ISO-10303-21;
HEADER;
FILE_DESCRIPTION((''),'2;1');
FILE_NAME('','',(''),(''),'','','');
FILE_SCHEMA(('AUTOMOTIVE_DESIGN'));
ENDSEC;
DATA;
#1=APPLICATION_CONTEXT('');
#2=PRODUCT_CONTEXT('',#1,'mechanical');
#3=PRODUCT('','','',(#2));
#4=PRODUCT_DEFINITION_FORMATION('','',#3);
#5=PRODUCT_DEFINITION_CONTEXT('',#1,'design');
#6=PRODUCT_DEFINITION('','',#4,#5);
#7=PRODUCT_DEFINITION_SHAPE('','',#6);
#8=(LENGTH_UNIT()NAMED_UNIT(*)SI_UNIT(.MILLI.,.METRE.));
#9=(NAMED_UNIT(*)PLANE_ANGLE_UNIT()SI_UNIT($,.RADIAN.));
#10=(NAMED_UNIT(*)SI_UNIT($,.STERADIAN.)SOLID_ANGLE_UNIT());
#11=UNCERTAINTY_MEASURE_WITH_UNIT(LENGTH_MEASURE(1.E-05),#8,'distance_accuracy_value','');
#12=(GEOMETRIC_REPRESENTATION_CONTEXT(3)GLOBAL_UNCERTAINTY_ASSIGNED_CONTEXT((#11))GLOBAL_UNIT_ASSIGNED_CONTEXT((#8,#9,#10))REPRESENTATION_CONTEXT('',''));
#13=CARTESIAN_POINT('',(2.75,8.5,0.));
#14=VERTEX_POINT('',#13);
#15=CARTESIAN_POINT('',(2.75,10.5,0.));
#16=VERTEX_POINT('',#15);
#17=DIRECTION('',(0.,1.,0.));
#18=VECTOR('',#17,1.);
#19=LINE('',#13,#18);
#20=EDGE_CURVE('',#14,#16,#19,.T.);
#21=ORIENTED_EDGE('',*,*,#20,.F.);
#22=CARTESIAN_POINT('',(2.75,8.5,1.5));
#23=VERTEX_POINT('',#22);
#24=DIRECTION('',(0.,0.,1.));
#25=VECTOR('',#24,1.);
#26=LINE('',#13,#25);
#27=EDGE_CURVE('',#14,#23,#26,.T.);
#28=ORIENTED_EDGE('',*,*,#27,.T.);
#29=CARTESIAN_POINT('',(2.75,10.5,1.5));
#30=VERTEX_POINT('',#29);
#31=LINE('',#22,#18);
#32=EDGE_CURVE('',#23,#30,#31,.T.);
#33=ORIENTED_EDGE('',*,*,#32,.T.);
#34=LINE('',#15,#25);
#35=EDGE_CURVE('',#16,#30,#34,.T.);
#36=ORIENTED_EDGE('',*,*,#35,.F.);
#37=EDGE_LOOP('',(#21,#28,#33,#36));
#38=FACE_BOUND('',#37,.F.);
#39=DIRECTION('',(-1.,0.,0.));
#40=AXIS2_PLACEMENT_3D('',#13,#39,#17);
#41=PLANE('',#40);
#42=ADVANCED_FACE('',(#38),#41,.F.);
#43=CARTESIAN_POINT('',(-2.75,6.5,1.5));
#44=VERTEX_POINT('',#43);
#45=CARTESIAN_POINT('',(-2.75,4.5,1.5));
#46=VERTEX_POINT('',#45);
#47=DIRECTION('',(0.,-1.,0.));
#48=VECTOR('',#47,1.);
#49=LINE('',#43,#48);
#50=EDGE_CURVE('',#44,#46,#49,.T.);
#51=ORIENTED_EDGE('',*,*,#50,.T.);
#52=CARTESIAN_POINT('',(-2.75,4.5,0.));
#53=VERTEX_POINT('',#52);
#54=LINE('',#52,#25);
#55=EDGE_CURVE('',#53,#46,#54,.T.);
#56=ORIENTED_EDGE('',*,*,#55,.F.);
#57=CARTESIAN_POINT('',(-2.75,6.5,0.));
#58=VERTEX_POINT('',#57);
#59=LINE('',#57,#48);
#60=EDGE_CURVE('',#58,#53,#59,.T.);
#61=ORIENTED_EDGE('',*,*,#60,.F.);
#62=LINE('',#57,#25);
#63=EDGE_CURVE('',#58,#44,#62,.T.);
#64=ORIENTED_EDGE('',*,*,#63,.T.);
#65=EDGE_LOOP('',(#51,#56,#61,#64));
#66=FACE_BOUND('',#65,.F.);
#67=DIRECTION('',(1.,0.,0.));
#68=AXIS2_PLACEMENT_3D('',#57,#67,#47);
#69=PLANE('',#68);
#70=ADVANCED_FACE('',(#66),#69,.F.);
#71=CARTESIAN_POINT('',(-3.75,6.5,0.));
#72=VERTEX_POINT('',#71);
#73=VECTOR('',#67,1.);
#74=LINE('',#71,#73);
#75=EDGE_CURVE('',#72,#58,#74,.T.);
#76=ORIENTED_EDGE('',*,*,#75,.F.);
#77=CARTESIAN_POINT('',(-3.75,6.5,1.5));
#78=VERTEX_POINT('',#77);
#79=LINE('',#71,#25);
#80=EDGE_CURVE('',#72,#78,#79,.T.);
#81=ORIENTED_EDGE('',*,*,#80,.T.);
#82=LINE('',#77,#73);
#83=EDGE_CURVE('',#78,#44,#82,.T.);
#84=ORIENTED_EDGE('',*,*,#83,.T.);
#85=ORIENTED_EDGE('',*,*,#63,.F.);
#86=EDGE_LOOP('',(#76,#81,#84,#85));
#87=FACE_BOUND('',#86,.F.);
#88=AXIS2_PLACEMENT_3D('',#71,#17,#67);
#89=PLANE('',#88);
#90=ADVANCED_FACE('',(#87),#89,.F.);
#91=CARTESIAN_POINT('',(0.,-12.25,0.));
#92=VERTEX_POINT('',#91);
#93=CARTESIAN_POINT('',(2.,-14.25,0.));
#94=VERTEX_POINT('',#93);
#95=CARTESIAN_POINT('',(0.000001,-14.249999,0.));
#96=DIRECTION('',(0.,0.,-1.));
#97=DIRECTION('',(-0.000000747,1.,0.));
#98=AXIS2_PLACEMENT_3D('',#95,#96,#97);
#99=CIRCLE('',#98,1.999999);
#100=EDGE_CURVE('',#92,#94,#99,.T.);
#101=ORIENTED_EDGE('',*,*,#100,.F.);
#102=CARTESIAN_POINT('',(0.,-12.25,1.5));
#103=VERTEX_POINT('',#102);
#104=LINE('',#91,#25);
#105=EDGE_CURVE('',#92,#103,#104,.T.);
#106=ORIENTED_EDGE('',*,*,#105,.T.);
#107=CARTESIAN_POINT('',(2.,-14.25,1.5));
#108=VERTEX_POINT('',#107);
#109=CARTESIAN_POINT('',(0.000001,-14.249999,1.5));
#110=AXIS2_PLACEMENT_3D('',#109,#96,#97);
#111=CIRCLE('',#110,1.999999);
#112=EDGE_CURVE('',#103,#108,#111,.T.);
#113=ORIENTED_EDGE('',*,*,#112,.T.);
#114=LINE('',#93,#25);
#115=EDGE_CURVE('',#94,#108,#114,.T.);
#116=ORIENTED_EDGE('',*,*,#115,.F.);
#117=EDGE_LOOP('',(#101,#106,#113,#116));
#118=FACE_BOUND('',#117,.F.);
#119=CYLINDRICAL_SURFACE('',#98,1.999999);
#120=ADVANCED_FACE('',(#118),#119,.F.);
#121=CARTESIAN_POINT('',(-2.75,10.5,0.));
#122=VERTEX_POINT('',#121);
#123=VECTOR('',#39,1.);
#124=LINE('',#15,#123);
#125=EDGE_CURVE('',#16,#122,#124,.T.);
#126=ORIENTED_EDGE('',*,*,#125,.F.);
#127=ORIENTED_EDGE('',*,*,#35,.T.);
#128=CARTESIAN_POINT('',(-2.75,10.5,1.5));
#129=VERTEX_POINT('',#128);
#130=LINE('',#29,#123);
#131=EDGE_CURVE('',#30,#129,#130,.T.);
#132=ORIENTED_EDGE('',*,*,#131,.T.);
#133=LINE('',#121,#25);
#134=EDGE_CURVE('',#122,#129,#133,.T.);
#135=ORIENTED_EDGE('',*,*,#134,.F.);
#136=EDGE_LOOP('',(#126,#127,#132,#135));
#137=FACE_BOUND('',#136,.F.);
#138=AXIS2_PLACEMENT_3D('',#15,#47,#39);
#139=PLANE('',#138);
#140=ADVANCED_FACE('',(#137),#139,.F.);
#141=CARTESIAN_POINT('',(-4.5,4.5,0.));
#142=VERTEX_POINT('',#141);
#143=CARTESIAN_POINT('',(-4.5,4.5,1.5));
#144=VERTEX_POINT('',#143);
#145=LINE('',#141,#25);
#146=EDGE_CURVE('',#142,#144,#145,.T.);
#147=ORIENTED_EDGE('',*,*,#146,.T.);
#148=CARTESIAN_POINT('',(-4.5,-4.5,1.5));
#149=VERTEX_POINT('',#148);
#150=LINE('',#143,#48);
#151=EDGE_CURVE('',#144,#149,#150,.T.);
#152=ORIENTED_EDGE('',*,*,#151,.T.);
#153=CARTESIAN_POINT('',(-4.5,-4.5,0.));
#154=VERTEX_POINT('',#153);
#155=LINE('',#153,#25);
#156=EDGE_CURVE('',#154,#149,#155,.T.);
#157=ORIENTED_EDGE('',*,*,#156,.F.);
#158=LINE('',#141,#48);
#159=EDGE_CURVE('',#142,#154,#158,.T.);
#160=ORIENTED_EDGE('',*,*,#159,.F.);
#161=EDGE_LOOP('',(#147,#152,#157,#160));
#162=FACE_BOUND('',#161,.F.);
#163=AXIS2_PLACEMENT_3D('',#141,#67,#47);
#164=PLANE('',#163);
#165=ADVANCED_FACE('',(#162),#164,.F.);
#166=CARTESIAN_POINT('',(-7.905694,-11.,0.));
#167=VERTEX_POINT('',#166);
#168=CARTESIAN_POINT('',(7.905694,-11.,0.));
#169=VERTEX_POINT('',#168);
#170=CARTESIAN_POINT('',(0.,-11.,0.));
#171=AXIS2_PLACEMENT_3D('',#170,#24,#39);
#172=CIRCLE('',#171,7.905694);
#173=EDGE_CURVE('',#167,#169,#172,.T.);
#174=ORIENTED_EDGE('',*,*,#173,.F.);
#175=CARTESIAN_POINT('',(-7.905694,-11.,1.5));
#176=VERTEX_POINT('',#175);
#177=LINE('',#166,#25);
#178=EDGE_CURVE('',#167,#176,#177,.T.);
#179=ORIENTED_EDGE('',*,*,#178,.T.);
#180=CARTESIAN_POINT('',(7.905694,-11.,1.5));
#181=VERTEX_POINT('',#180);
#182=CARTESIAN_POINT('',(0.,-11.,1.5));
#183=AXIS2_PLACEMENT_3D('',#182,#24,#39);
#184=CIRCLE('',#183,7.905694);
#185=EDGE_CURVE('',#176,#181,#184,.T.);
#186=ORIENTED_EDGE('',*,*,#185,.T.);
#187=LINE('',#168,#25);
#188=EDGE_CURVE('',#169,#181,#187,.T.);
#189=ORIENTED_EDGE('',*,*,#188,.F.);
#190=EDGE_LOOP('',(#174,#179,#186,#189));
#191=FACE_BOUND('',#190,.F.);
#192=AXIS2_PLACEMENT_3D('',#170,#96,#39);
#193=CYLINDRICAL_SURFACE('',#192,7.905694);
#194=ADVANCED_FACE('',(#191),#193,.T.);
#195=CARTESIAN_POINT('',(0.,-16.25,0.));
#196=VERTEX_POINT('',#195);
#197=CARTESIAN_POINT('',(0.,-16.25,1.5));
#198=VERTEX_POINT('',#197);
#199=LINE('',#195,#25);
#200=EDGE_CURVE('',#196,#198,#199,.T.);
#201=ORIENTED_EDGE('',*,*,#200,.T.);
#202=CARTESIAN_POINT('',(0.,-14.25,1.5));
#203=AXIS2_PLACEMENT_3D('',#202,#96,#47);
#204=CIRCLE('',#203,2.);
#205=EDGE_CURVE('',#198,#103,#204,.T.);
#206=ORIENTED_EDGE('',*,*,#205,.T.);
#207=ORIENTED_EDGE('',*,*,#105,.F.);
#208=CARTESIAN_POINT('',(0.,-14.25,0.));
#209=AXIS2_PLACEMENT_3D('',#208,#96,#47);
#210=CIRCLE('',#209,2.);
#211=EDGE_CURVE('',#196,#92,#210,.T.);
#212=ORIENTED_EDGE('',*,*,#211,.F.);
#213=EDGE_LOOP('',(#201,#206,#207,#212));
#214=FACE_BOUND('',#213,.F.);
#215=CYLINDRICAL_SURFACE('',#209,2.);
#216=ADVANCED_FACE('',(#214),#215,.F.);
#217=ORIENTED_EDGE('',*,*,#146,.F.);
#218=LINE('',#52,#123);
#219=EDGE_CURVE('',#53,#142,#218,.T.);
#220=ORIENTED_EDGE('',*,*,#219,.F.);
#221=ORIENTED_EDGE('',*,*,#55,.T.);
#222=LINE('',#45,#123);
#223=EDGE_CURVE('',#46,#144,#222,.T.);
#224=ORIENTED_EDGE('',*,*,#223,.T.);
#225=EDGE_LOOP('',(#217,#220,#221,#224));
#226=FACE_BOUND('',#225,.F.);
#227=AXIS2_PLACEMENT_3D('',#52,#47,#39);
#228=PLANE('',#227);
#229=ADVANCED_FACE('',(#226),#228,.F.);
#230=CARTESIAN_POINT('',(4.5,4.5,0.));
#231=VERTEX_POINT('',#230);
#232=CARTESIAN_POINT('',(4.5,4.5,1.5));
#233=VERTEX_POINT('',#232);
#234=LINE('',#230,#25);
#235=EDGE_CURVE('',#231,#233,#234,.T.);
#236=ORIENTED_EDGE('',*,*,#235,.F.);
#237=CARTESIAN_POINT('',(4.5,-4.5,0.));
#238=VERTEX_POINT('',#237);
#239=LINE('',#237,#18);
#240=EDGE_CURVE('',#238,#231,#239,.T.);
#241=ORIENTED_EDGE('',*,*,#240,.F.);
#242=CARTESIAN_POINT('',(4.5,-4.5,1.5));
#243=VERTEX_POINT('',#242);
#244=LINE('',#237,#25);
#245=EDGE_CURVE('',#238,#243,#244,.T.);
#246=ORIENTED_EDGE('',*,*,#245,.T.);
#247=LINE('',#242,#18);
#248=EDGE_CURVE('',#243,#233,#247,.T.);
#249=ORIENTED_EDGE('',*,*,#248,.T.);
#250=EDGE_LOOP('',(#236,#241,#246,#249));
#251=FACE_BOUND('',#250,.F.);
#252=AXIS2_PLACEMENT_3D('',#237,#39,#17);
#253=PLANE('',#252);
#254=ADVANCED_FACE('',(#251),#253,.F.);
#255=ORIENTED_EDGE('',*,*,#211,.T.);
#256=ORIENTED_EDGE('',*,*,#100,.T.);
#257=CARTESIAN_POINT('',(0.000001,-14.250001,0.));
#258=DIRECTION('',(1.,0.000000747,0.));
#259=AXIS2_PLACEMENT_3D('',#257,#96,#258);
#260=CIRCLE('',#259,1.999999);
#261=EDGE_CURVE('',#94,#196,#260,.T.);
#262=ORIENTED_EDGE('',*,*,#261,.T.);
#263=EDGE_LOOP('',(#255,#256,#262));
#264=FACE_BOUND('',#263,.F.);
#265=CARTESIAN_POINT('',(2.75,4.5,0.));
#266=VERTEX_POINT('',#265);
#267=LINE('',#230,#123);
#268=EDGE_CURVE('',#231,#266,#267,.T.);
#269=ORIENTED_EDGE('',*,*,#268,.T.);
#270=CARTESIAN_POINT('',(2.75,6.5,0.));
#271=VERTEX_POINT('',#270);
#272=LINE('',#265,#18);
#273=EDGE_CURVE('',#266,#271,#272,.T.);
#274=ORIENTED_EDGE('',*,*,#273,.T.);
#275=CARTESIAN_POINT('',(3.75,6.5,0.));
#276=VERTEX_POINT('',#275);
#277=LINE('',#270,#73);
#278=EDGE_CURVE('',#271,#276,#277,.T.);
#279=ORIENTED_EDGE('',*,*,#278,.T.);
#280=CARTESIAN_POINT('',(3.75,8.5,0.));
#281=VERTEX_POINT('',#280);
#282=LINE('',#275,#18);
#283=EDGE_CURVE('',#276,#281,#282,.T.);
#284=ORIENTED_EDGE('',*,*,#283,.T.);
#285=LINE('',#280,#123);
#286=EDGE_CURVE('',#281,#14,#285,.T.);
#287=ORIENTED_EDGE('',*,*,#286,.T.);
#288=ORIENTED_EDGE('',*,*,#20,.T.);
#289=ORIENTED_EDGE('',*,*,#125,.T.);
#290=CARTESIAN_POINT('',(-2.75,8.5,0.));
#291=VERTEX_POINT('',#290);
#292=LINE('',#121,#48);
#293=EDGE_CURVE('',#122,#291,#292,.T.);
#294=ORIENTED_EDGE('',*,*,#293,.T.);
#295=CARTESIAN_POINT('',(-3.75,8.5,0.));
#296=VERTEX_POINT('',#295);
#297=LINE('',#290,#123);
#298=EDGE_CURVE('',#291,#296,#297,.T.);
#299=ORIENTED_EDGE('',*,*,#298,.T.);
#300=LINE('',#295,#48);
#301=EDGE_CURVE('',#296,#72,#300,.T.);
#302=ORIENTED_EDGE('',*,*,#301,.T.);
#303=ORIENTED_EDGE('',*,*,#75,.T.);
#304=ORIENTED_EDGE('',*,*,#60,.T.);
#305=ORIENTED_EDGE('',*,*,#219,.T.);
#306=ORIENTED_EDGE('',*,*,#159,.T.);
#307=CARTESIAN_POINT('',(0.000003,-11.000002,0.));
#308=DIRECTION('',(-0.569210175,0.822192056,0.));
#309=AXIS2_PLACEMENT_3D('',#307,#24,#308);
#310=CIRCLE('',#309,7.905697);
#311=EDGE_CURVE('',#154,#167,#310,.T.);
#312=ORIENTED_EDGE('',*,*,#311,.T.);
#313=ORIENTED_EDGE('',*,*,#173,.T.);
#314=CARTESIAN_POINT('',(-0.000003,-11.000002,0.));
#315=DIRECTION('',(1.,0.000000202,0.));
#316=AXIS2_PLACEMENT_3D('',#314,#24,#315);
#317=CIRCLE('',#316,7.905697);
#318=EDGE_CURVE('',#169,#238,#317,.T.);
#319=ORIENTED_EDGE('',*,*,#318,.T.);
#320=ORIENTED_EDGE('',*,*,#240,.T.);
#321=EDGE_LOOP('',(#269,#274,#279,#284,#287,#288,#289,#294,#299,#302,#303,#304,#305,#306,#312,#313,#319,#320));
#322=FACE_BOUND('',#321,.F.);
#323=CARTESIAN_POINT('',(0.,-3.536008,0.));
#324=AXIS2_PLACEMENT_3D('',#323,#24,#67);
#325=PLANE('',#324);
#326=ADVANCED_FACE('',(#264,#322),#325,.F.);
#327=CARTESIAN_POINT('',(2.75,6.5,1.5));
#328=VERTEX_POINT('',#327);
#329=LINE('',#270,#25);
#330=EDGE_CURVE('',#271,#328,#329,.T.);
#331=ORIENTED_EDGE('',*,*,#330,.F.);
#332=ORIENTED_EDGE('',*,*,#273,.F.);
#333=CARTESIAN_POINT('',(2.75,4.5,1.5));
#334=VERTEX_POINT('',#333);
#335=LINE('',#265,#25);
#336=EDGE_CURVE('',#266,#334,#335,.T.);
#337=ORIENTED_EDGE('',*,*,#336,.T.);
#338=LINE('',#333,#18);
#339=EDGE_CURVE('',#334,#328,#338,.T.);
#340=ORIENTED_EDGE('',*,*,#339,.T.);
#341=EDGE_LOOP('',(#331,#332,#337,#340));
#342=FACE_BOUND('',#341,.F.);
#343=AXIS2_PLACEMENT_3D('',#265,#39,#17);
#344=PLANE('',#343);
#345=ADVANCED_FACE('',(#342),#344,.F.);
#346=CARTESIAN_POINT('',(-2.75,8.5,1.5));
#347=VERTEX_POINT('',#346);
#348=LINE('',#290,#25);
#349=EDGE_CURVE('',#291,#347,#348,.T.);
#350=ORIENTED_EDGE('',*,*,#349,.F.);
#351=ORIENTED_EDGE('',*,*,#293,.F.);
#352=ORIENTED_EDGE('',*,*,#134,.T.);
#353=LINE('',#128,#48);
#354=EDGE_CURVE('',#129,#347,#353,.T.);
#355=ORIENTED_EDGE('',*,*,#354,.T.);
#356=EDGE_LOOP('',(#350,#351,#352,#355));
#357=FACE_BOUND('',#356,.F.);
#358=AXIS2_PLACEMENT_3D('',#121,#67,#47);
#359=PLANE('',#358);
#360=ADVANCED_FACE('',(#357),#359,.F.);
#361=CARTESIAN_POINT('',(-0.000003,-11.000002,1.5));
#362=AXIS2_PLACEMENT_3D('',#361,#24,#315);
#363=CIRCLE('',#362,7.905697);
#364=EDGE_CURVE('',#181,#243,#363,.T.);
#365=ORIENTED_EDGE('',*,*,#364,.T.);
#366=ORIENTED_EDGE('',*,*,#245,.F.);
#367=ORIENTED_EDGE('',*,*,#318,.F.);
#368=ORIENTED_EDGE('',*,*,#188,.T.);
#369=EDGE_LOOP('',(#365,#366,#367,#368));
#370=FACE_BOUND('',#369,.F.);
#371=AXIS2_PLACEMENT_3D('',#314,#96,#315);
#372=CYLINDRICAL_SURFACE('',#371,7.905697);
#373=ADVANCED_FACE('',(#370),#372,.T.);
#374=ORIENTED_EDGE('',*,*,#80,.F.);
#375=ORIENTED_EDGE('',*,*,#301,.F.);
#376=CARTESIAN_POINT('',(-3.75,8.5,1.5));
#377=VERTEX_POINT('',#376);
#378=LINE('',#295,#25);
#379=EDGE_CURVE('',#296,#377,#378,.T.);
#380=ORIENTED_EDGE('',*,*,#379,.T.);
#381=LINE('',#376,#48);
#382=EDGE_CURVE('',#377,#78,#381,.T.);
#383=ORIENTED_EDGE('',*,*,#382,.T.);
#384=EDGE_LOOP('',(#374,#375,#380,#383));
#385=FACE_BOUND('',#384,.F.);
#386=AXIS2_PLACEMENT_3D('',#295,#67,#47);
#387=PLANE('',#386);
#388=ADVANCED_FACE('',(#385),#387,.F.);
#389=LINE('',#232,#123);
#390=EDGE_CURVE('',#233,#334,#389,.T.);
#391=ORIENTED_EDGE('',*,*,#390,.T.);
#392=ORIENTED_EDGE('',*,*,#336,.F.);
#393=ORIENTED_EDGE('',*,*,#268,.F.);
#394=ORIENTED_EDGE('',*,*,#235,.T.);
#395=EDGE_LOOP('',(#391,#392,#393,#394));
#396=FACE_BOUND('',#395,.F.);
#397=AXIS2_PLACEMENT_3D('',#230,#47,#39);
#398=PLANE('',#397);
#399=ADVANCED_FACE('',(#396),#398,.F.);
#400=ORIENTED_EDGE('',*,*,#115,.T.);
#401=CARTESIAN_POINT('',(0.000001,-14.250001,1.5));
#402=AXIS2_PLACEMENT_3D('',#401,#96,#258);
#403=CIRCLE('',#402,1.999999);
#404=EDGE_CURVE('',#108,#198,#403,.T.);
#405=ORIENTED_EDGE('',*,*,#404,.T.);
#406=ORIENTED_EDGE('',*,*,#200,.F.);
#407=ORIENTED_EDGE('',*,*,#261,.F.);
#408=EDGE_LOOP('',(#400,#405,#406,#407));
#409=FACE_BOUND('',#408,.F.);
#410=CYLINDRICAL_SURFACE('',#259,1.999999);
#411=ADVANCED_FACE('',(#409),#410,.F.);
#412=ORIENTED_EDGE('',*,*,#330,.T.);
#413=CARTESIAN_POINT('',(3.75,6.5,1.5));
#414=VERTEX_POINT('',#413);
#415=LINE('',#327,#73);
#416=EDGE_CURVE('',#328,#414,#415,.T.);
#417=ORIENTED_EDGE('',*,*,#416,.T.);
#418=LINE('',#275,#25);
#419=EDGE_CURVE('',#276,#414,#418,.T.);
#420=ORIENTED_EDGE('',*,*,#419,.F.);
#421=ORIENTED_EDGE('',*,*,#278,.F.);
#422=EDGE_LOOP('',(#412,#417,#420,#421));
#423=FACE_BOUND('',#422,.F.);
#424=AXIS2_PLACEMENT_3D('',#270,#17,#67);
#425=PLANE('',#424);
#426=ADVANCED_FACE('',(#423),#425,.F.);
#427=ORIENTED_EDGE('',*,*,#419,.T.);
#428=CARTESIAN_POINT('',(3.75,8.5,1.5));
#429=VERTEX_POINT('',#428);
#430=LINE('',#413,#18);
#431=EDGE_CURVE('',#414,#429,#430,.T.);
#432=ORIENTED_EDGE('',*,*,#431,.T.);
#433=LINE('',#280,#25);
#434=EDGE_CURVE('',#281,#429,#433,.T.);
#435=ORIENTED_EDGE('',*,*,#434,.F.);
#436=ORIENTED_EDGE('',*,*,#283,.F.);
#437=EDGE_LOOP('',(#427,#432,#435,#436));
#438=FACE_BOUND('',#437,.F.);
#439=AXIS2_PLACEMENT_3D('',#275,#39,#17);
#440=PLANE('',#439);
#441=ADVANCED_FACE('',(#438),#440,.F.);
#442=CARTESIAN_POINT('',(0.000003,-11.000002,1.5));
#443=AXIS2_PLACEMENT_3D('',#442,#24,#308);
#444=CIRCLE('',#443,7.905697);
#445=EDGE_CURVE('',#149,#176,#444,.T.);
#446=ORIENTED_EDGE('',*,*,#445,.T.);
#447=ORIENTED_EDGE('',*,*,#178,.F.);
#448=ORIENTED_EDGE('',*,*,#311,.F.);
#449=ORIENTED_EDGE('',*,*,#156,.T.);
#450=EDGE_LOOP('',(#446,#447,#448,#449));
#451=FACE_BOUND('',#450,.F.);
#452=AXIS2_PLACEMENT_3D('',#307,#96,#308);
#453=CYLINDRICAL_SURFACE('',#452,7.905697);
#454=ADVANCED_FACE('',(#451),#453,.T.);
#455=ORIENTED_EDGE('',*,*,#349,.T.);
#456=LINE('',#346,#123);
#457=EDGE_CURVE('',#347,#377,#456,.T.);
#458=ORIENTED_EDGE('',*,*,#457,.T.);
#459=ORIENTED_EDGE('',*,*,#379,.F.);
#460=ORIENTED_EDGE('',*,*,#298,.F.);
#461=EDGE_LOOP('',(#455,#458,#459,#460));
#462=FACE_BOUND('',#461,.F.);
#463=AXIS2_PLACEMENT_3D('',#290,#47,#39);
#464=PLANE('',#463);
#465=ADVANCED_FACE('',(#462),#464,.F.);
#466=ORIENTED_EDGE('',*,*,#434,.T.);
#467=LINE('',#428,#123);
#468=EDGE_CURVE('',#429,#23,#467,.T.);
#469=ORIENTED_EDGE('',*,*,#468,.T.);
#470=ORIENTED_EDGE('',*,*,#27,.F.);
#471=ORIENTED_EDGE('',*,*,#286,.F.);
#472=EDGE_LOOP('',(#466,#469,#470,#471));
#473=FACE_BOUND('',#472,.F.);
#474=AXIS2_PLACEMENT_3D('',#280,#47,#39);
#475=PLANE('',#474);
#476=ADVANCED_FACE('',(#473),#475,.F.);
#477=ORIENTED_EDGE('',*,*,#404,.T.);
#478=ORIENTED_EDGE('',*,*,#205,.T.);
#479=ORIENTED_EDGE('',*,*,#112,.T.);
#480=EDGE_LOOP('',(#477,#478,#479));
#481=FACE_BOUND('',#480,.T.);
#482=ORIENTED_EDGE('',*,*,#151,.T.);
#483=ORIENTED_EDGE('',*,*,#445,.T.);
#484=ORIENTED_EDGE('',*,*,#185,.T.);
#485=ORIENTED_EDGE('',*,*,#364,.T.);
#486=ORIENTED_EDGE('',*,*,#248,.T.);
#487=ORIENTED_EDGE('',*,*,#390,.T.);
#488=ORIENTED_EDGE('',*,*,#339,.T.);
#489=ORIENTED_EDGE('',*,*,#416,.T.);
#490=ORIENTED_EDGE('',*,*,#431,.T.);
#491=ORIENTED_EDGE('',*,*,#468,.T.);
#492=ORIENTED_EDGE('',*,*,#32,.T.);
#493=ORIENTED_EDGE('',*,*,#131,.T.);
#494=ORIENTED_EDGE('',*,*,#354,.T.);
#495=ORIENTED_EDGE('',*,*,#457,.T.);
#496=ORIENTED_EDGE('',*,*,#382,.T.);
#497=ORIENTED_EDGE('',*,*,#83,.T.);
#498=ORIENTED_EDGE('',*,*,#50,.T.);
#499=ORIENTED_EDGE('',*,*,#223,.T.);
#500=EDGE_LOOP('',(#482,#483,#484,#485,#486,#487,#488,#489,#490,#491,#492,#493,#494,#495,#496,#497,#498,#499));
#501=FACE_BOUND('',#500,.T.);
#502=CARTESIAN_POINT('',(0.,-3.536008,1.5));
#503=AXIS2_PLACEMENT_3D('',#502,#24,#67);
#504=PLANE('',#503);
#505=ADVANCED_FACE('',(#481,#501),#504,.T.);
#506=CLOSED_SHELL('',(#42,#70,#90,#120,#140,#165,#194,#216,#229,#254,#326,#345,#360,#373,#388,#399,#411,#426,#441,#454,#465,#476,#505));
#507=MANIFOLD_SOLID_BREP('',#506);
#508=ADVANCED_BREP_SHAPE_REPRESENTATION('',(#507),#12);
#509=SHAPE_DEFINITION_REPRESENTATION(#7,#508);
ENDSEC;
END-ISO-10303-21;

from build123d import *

# Parameters (mm, degrees)
F1_DEPTH = 1.5


with BuildPart() as f1:
    # F0 (on Top) → F1 (new body)
    with BuildSketch(Plane.XY):
        with BuildLine():
            Line((4.5, -4.5), (4.5, 4.5))
            Line((4.5, 4.5), (2.75, 4.5))
            Line((2.75, 4.5), (2.75, 6.5))
            Line((2.75, 6.5), (3.75, 6.5))
            Line((3.75, 6.5), (3.75, 8.5))
            Line((3.75, 8.5), (2.75, 8.5))
            Line((2.75, 8.5), (2.75, 10.5))
            Line((2.75, 10.5), (-2.75, 10.5))
            Line((-2.75, 10.5), (-2.75, 8.5))
            Line((-2.75, 8.5), (-3.75, 8.5))
            Line((-3.75, 8.5), (-3.75, 6.5))
            Line((-3.75, 6.5), (-2.75, 6.5))
            Line((-2.75, 6.5), (-2.75, 4.5))
            Line((-2.75, 4.5), (-4.5, 4.5))
            Line((-4.5, 4.5), (-4.5, -4.5))
            ThreePointArc((-4.5, -4.5), (-7.0027, -7.330915), (-7.905694, -11))
            ThreePointArc((-7.905694, -11), (0, -18.905694), (7.905694, -11))
            ThreePointArc((7.905694, -11), (7.0027, -7.330915), (4.5, -4.5))
        make_face()
        with BuildLine():
            ThreePointArc((0, -16.25), (-2, -14.25), (0, -12.25))
            ThreePointArc((0, -12.25), (1.414214, -12.835786), (2, -14.25))
            ThreePointArc((2, -14.25), (1.414214, -15.664214), (0, -16.25))
        make_face(mode=Mode.SUBTRACT)
    extrude(amount=F1_DEPTH)


solid = f1.part
